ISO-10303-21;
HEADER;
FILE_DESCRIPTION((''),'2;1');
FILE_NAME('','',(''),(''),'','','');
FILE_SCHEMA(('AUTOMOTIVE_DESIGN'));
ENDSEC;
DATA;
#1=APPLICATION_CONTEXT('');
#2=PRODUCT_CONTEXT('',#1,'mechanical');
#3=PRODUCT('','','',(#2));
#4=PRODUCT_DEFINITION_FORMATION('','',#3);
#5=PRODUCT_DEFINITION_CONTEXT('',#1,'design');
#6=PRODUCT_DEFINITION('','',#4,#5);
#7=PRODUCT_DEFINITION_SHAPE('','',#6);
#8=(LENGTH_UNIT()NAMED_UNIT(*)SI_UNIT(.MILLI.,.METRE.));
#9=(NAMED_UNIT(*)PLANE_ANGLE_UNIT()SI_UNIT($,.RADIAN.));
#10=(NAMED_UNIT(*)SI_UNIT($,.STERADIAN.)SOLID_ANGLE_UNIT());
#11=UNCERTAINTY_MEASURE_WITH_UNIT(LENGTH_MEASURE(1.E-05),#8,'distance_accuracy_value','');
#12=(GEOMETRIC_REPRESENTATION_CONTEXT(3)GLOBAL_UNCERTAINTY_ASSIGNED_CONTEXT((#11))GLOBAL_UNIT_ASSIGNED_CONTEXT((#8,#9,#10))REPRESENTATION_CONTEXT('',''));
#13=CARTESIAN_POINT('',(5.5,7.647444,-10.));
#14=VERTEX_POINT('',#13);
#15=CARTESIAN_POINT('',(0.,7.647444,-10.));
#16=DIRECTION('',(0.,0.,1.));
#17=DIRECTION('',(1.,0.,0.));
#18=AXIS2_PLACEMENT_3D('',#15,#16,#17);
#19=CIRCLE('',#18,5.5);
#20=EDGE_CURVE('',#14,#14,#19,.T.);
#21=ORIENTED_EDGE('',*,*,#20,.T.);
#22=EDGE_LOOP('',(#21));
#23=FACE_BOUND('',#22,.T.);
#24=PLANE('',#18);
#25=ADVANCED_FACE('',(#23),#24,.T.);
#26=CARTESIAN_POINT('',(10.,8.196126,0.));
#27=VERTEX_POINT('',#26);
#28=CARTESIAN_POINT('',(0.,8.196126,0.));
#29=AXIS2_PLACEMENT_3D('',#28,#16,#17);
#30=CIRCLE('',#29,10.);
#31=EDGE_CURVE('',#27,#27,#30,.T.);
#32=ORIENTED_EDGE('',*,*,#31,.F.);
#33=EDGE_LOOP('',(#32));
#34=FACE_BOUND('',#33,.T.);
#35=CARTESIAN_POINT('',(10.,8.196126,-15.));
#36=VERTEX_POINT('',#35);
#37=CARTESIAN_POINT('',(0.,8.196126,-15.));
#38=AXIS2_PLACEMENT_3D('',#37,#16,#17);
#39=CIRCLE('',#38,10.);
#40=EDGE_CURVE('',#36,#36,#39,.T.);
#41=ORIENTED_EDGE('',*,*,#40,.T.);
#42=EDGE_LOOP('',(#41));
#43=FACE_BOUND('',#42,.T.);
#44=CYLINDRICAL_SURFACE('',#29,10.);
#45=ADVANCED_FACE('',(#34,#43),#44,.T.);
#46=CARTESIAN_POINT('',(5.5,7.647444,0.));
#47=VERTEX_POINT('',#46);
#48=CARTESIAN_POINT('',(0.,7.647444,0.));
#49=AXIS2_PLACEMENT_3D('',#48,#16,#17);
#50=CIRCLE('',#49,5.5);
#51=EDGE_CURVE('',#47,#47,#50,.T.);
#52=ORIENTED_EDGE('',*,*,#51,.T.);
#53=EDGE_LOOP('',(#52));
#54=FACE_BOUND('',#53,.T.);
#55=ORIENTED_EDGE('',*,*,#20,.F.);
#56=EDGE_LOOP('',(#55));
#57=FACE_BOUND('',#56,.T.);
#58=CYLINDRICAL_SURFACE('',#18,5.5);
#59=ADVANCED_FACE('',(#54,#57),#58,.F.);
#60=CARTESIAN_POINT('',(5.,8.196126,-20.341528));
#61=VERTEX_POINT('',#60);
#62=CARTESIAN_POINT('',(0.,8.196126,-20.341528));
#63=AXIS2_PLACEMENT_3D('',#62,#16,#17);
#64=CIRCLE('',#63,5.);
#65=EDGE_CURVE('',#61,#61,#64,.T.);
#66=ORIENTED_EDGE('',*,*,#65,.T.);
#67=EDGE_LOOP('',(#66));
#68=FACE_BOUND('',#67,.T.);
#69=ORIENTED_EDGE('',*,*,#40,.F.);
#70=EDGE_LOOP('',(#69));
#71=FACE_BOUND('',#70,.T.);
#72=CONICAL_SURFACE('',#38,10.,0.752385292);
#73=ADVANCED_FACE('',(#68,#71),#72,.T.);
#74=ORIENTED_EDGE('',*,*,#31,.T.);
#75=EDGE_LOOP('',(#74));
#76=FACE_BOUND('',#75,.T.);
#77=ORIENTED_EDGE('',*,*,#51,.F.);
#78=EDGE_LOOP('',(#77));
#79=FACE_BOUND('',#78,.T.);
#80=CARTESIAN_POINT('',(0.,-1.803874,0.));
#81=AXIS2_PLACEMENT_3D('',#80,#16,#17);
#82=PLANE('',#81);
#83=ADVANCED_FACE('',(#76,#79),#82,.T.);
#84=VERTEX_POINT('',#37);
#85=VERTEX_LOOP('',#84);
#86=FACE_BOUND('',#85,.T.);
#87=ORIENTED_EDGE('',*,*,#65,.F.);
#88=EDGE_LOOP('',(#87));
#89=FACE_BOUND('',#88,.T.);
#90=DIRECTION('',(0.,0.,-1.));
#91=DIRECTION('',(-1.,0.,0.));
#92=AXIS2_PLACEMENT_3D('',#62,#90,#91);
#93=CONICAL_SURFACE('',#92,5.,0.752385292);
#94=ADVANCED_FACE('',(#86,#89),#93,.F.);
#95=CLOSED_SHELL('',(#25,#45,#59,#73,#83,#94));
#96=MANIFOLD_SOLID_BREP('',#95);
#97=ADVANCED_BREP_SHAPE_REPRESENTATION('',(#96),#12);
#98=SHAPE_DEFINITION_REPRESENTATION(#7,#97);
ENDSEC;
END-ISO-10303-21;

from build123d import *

# Parameters (mm, degrees)
SKETCH3_R          = 5.5
CUT_EXTRUDE1_DEPTH = 10


with BuildPart() as part:
    # Sketch2 → Revolve3 (revolve)
    with BuildSketch(Plane(origin=(0, 0, 0), x_dir=(0, 0, -1), z_dir=(1, 0, 0)), mode=Mode.PRIVATE) as revolve3_sk:
        Polygon((0, -1.803874092), (0, 8.196125908), (15, 8.196125908), (20.341527599, 3.196125908), (15, -1.803874092), align=None)
    revolve(revolve3_sk.sketch.rotate(Axis((0, 8.196125908, 0), (0, 0, -1)), 270), axis=Axis((0, 8.196125908, 0), (0, 0, -1)))

    # Sketch3 → Cut-Extrude1 (cut)
    with BuildSketch(Plane.XY):
        with Locations((0, 7.647443929)):
            Circle(SKETCH3_R)
    extrude(amount=-CUT_EXTRUDE1_DEPTH, mode=Mode.SUBTRACT)


solid = part.part
